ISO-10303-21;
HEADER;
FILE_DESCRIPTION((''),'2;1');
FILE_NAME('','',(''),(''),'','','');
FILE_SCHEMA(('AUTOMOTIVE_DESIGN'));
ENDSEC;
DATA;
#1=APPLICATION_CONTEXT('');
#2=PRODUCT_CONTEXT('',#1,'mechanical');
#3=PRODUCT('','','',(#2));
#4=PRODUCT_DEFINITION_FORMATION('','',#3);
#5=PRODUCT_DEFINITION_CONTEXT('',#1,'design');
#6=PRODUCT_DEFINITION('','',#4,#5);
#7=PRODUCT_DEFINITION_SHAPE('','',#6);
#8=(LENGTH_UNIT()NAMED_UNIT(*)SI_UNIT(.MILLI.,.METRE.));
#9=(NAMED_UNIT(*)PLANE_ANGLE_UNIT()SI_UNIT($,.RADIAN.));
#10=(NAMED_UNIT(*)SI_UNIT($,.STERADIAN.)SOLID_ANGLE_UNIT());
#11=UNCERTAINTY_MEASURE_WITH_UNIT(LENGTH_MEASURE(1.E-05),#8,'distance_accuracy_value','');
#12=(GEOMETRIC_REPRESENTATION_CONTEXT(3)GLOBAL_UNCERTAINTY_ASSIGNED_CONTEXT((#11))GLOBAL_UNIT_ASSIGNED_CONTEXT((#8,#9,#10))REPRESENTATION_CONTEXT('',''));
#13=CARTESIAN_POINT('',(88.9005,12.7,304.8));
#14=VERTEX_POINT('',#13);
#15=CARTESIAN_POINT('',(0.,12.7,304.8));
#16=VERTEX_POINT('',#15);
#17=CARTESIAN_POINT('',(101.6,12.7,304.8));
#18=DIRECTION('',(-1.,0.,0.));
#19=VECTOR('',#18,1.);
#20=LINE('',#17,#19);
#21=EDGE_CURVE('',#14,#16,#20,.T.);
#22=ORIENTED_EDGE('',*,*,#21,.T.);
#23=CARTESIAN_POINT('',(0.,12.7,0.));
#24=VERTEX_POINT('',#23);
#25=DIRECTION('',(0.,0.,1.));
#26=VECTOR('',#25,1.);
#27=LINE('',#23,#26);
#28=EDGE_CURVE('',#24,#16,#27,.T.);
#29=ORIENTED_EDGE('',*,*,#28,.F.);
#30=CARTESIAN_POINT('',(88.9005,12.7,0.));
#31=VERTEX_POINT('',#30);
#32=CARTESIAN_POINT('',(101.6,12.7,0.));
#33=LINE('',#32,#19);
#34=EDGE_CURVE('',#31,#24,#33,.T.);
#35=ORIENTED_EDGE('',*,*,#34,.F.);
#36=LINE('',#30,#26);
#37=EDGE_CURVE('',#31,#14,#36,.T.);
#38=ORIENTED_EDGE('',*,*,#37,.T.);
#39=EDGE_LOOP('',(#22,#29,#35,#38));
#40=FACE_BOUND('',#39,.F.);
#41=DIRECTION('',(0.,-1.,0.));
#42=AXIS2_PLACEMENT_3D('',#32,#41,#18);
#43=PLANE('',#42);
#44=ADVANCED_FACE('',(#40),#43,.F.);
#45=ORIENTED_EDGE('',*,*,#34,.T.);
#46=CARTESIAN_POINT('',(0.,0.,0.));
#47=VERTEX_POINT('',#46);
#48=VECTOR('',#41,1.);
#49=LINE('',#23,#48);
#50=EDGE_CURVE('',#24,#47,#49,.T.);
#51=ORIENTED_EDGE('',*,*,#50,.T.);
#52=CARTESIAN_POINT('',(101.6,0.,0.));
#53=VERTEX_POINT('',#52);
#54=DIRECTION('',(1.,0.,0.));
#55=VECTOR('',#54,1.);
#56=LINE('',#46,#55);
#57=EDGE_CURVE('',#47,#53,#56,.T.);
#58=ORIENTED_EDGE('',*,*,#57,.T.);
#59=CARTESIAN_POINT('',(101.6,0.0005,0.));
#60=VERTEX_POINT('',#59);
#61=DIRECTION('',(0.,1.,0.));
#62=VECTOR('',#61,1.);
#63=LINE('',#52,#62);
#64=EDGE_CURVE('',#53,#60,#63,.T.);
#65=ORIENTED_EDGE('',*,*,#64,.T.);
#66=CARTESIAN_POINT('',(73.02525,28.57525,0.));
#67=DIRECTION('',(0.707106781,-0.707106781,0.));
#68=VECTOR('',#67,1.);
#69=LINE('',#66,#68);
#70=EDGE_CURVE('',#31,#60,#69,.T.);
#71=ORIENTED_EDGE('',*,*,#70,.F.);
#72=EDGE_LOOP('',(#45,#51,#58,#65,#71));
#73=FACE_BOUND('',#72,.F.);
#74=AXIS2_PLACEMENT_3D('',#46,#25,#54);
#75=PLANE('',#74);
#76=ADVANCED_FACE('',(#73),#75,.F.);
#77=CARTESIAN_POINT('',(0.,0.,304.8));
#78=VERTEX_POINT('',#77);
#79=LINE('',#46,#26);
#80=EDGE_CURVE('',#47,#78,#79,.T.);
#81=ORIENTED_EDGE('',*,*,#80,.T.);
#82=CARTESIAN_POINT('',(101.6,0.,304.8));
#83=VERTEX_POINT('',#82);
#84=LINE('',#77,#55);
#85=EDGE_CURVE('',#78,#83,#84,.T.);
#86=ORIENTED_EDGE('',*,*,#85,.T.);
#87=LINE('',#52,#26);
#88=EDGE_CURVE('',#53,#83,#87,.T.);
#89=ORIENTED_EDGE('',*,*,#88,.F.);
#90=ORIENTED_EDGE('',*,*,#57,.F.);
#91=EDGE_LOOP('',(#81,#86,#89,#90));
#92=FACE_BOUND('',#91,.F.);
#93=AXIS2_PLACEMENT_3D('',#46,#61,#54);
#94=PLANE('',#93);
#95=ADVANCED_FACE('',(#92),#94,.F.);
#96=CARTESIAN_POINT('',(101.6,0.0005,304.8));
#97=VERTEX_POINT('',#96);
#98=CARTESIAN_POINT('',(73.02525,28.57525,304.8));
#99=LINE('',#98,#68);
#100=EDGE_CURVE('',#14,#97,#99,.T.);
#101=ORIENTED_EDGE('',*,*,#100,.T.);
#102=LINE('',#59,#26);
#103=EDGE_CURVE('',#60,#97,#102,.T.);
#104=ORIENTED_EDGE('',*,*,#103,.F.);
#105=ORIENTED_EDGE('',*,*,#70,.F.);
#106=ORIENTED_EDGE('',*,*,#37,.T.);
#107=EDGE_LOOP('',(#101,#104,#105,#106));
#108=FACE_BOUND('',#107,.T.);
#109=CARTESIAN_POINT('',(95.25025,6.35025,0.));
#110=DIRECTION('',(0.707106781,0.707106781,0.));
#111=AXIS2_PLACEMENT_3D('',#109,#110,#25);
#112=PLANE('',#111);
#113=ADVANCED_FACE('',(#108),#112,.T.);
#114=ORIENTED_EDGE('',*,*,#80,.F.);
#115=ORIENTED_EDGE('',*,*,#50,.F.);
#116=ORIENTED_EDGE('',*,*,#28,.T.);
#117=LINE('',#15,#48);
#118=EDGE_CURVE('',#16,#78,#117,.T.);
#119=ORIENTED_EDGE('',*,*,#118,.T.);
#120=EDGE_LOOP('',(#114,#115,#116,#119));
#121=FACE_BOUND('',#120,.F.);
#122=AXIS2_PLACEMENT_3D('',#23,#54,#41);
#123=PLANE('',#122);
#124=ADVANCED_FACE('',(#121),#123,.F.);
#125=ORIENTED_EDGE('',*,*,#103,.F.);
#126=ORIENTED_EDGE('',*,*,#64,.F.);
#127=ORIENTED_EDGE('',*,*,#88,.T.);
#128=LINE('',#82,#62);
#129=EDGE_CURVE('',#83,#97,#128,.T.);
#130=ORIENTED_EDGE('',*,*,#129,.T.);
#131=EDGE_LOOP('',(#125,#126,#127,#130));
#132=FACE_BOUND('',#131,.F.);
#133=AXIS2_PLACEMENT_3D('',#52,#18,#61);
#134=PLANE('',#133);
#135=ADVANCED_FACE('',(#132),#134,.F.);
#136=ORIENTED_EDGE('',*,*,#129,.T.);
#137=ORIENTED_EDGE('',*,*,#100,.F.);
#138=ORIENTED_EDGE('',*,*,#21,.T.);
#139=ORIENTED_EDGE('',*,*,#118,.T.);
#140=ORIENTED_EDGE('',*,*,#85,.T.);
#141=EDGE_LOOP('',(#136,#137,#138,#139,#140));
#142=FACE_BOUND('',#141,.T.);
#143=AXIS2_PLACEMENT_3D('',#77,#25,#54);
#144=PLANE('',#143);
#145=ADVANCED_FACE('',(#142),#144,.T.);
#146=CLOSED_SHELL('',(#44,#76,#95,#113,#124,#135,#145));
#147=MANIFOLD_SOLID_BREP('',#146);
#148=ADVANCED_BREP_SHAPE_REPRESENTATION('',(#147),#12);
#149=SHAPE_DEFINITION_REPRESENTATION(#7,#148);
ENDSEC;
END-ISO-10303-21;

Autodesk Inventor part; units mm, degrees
ref_plane "YZ Plane" through (0, 0, 0) normal (1, 0, 0) x (0, 1, 0)
ref_plane "XZ Plane" through (0, 0, 0) normal (0, 1, 0) x (-1, 0, 0)
ref_plane "XY Plane" through (0, 0, 0) normal (0, 0, 1) x (1, 0, 0)
sketch "Sketch1" plane through (0, 0, 0) normal (0, 0, 1) x (1, 0, 0)
  line L0 (0, 0) -> (101.6, 0)
  line L1 (101.6, 0) -> (101.6, 12.7)
  line L2 (101.6, 12.7) -> (0, 12.7)
  line L3 (0, 12.7) -> (0, 0)
  dimension "d0" = 101.6
  dimension "d1" = 12.7
extrude "Extrusion1" add sketch "Sketch1" along normal blind 304.8
chamfer "Chamfer1" distance 12.7 angle 45 1 edges at (101.6, 12.7, 152.4)
properties part number "backboard_cham"
